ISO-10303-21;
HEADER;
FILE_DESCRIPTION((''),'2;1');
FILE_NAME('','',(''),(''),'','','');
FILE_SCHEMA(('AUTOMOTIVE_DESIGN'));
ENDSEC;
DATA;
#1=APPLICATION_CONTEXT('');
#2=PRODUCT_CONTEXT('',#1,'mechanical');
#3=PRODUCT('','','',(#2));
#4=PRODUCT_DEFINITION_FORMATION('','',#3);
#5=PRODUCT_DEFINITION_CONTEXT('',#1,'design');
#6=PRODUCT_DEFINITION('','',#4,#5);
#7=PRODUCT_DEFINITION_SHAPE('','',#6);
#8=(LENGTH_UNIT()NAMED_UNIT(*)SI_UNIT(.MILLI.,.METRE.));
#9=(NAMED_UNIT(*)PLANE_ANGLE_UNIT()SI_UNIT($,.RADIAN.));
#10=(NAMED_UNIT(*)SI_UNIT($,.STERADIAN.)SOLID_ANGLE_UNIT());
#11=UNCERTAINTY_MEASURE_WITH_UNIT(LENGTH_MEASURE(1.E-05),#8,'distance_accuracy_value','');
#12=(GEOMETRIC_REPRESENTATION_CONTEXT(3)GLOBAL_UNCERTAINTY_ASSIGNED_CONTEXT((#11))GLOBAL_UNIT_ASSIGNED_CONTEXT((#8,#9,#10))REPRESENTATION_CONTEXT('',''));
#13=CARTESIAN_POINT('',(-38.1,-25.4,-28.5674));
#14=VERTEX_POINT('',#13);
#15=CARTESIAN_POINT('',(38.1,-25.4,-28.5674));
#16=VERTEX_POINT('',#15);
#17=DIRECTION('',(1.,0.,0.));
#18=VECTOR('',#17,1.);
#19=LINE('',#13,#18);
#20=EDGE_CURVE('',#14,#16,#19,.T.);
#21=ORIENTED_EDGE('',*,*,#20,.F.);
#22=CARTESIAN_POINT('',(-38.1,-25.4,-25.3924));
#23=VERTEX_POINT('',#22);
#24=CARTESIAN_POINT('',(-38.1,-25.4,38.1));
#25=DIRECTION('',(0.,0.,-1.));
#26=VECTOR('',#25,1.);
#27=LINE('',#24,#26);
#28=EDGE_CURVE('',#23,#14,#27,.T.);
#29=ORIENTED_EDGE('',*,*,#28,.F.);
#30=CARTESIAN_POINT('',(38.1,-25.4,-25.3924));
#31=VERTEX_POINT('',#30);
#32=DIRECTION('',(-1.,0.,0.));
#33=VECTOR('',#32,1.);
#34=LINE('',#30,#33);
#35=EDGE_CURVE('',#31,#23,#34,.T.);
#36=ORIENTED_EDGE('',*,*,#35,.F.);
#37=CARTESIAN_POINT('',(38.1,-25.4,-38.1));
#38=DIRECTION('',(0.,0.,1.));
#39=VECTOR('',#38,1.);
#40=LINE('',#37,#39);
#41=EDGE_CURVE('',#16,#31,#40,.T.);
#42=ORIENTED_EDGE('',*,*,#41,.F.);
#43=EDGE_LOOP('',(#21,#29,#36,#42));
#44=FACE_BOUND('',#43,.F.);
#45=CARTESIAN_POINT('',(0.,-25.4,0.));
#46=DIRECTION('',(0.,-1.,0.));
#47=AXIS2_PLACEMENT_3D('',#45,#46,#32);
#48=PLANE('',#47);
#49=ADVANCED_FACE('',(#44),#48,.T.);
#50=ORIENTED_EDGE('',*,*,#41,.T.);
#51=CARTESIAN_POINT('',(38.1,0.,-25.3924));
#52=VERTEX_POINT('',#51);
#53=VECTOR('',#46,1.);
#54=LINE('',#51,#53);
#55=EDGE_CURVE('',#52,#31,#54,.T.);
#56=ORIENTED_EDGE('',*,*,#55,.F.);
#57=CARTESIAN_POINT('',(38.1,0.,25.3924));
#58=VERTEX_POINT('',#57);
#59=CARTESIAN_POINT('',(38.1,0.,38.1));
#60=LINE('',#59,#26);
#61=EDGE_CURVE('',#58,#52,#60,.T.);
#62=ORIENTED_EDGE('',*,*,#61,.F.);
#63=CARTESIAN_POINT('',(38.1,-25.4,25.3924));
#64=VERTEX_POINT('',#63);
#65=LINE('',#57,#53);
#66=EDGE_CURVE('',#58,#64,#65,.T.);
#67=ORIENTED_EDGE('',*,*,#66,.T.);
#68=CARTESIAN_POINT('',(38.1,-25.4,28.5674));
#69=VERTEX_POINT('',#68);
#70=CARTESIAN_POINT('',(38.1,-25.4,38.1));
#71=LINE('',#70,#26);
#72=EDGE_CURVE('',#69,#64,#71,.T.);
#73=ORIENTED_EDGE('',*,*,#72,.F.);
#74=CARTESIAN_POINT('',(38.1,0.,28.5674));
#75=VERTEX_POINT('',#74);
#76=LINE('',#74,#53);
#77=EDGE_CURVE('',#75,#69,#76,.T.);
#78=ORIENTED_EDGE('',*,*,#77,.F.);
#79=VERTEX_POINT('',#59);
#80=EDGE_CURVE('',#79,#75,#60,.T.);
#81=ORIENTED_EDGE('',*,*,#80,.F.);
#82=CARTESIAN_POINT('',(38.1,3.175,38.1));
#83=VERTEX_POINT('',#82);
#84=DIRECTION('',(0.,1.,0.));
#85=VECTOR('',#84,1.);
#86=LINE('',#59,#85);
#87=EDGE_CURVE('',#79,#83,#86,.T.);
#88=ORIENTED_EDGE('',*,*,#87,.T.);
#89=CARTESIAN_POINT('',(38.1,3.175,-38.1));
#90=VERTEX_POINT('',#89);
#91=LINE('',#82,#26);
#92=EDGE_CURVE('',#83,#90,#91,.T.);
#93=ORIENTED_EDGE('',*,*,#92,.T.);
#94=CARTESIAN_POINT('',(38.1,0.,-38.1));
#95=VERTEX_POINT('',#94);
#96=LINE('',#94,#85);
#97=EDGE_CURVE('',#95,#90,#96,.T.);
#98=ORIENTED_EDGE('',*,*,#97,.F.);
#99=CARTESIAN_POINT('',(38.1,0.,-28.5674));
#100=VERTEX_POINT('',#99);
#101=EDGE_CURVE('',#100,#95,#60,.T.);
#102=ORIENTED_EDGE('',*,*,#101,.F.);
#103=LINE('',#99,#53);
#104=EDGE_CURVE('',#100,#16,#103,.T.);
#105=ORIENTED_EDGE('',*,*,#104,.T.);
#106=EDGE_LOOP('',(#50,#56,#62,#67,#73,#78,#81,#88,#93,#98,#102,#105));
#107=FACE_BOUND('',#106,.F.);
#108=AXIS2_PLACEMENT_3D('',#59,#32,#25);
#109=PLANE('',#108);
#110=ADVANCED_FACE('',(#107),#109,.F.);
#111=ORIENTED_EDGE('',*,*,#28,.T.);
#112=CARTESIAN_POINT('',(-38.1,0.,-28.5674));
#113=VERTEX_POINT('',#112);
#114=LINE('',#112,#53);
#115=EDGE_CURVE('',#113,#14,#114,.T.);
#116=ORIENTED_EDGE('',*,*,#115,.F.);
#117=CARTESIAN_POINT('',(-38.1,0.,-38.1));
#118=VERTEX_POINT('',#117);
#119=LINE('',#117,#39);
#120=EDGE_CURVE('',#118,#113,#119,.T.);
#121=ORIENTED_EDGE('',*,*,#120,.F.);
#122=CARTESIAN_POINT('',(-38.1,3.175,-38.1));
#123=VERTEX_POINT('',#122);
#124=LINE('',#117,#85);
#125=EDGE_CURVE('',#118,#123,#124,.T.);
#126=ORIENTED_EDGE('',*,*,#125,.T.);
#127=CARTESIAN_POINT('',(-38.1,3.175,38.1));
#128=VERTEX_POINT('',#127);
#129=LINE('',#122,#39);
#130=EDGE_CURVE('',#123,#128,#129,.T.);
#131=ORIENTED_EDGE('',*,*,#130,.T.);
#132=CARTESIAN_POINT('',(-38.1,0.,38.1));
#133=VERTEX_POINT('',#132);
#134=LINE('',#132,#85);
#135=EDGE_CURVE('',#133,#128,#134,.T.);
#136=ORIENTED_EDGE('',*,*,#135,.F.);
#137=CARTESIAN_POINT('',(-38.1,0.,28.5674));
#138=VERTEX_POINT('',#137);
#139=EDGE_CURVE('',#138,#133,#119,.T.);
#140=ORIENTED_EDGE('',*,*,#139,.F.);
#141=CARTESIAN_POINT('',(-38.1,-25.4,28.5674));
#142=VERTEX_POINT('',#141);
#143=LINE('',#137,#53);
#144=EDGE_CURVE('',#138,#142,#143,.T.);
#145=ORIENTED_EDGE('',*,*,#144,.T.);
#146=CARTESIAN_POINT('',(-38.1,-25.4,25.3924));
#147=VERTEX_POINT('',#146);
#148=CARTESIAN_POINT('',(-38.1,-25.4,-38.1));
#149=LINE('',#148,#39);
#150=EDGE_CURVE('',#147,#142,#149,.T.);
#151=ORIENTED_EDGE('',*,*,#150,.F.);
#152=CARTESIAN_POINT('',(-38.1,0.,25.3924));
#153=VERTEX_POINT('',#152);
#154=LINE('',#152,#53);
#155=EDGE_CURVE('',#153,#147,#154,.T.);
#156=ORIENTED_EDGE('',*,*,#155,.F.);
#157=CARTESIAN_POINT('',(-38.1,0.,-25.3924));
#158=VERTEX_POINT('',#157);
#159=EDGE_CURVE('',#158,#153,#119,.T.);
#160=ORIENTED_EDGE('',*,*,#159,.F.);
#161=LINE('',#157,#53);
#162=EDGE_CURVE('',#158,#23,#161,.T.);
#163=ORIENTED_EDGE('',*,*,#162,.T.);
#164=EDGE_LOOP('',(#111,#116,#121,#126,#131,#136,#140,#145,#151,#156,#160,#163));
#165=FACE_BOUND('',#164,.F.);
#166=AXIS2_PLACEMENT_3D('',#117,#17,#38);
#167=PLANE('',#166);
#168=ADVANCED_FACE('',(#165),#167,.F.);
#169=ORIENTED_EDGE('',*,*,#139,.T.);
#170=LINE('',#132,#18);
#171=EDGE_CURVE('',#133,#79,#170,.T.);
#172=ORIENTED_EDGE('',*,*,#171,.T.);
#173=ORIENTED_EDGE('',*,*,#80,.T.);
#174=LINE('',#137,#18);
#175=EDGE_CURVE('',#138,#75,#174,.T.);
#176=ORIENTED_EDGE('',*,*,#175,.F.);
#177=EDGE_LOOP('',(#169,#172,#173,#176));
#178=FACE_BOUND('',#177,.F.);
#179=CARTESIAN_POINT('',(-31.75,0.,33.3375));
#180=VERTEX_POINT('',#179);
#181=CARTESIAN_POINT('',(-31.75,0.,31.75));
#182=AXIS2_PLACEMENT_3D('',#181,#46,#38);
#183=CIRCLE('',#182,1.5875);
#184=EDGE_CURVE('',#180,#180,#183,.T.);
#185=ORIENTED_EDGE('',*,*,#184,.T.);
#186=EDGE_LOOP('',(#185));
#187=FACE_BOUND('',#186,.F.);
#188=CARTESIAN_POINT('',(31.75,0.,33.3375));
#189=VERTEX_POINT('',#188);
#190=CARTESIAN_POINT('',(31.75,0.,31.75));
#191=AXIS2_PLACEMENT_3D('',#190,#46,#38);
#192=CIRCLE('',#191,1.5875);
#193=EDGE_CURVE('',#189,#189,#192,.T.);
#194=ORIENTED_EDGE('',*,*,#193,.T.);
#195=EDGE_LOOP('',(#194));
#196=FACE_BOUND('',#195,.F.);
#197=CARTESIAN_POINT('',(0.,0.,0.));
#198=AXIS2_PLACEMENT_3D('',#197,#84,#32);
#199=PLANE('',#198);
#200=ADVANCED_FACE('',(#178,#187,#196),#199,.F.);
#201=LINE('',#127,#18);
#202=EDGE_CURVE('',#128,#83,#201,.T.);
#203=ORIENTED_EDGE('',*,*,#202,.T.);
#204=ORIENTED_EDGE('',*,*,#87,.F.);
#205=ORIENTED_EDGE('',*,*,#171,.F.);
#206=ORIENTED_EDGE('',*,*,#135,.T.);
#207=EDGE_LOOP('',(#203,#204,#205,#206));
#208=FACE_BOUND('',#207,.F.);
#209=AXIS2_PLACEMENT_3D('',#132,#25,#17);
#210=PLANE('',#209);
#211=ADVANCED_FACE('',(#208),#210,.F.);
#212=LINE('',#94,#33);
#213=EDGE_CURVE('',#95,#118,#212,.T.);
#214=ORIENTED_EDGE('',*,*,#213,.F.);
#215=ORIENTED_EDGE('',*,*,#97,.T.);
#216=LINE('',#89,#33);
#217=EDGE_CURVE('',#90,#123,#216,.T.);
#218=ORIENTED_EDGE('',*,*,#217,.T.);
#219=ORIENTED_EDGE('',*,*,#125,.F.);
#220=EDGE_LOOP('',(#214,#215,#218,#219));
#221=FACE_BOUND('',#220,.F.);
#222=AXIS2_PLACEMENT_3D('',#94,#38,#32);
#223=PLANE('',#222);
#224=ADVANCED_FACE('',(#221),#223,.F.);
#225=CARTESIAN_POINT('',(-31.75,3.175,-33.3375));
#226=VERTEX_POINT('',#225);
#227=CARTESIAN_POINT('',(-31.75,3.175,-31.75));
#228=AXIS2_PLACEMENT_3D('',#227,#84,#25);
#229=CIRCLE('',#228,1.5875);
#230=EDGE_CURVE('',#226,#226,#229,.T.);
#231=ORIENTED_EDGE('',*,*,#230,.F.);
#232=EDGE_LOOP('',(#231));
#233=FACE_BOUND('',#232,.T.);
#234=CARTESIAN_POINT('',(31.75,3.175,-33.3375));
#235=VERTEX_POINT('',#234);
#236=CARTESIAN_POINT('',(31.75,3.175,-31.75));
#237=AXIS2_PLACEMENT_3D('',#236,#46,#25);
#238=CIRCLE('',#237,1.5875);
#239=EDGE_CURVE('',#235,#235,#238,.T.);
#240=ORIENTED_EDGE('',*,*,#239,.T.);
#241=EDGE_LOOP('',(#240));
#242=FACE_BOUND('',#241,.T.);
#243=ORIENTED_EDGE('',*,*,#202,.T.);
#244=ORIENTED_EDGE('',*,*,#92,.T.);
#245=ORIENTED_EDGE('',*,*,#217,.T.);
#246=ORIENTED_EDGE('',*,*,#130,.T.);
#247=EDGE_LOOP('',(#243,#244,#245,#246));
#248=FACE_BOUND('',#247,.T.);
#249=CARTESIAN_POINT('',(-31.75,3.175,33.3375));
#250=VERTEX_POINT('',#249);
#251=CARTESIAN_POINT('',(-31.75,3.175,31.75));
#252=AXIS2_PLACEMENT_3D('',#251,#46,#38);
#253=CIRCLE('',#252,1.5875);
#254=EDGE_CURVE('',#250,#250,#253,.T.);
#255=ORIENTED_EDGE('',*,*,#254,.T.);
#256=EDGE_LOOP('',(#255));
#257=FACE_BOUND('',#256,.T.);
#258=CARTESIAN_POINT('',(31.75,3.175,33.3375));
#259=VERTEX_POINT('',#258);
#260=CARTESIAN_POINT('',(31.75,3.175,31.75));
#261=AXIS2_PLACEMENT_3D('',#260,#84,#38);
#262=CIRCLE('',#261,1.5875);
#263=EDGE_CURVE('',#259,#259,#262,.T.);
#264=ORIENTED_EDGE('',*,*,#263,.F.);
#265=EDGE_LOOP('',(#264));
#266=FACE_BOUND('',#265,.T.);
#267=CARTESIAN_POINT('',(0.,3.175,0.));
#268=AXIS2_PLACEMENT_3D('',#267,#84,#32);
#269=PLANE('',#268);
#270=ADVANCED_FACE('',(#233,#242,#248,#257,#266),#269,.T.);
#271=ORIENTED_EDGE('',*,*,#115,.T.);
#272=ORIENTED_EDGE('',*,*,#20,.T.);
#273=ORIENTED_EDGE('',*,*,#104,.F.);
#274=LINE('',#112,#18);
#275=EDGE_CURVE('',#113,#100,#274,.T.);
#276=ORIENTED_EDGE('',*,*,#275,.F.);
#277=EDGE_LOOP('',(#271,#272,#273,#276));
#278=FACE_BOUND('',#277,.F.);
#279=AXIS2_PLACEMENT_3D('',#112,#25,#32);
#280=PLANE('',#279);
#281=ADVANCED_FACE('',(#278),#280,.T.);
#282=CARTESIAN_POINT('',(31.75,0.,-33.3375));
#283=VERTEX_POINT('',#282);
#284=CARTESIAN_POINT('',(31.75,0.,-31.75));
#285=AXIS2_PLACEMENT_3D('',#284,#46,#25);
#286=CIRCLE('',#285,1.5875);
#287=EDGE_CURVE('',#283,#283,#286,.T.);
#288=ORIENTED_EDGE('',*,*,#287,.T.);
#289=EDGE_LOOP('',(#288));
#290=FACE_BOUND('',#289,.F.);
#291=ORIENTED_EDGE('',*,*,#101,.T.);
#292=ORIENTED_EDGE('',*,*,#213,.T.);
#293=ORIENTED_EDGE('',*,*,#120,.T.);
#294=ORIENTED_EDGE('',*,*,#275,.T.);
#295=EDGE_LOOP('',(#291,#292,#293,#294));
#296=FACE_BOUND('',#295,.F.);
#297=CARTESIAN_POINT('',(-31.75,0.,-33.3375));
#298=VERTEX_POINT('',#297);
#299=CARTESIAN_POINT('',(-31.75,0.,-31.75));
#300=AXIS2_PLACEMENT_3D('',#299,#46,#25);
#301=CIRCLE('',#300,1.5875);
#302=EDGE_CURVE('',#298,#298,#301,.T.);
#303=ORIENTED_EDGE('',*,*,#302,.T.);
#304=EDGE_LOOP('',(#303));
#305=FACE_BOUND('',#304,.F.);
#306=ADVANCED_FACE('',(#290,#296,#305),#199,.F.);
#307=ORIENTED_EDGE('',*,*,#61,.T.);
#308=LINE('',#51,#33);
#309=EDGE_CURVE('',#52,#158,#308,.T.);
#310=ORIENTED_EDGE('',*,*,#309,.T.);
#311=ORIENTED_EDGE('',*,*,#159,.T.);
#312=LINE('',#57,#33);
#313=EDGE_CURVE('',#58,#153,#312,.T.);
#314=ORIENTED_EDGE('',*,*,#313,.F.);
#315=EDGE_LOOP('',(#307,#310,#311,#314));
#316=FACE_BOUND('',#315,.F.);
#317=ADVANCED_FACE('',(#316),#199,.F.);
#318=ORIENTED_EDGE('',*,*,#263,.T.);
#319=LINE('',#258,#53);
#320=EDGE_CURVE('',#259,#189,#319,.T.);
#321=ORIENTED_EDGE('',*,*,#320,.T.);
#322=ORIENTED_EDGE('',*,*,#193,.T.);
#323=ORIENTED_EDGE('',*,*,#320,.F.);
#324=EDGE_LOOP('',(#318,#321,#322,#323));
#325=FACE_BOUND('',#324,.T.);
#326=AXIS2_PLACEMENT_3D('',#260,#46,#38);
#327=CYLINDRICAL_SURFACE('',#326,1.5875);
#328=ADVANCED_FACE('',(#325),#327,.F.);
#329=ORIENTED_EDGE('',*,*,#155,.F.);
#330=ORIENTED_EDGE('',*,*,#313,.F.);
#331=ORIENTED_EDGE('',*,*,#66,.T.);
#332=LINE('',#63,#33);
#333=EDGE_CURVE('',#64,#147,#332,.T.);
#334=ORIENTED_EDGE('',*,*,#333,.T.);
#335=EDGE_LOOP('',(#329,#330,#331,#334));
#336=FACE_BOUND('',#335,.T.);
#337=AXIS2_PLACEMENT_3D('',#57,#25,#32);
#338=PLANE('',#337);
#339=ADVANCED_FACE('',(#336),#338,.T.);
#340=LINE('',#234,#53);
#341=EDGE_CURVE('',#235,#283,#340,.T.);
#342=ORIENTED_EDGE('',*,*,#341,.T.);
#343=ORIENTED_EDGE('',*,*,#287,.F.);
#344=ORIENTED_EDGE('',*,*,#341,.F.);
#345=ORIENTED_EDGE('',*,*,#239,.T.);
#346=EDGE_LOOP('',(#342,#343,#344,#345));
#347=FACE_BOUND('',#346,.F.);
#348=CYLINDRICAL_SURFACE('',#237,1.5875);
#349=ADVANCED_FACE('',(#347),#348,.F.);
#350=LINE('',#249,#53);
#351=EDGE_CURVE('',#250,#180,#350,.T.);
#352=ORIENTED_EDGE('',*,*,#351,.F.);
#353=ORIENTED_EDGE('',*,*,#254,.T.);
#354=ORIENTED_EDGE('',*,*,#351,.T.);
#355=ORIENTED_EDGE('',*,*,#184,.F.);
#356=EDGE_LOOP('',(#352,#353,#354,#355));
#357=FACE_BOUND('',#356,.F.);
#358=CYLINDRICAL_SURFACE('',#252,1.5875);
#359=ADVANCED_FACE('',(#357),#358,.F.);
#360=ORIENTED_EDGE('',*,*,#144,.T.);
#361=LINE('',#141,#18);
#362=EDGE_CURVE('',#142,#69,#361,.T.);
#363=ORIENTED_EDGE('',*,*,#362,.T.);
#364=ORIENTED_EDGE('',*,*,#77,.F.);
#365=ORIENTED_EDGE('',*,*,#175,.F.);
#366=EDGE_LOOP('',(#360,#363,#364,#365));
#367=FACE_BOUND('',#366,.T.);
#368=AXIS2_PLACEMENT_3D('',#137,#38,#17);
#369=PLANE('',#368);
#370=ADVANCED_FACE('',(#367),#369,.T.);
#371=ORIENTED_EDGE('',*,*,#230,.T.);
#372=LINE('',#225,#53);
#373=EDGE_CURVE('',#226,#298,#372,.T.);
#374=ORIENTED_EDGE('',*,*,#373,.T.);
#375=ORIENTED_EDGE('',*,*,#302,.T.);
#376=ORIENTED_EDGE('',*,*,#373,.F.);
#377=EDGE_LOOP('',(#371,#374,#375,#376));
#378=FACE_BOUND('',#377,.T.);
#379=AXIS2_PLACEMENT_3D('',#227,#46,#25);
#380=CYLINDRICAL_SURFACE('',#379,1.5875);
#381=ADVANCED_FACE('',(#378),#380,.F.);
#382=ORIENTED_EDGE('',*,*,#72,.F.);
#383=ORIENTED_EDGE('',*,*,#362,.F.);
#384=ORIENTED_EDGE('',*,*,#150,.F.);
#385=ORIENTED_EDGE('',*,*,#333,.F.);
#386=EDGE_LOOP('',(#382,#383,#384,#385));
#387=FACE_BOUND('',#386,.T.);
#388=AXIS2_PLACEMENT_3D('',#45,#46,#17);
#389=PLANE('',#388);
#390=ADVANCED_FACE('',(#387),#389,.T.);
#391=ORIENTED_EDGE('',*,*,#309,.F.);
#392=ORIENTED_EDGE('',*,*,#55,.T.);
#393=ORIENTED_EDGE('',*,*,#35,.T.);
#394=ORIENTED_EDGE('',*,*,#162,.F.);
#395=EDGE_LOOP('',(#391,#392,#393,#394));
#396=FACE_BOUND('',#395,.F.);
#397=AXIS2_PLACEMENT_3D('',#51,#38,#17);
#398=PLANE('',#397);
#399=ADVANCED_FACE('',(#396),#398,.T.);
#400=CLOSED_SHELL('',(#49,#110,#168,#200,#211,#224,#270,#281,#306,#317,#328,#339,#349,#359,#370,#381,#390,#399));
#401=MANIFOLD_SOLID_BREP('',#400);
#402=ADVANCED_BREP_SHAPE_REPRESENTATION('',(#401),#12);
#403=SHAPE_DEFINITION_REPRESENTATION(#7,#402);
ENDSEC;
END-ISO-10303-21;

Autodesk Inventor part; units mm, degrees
ref_plane "YZ Plane" through (0, 0, 0) normal (1, 0, 0) x (0, 1, 0)
ref_plane "XZ Plane" through (0, 0, 0) normal (0, 1, 0) x (-1, 0, 0)
sketch "Sketch1" plane through (0, 0, 0) normal (0, 1, 0) x (-1, 0, 0)
  line L0 (0, 0) -> (4.388, 0) construction
  line L1 (4.1982, 0) -> (0, 0) construction
  line L2 (0, 0) -> (0, -4.5146) construction
  line L3 (38.1, 38.1) -> (-38.1, 38.1)
  line L4 (-38.1, 38.1) -> (-38.1, -38.1)
  line L5 (-38.1, -38.1) -> (38.1, -38.1)
  line L6 (38.1, -38.1) -> (38.1, 38.1)
  dimension "d0" = 76.2
  dimension "d1" = 76.2
extrude "Extrusion1" add sketch "Sketch1" along normal blind 3.175
ref_plane "Work Plane1" through (0, 0, 25.4) normal (0, 0, 1) x (1, 0, 0)
sketch "Sketch2" plane through (0, 0, 0) normal (0, -1, 0) x (1, 0, 0)
  line L0 (38.1, 38.1) -> (38.1, -38.1) projected
  line L1 (-38.1, -38.1) -> (-38.1, 38.1) projected
  line L2 (38.1, 25.3924) -> (-38.1, 25.3924)
  line L3 (-38.1, 25.3924) -> (-38.1, 28.5674)
  line L4 (-38.1, 28.5674) -> (38.1, 28.5674)
  line L5 (38.1, 28.5674) -> (38.1, 25.3924)
  point P0 (0, 0)
  dimension "d5" = 3.175
extrude "Extrusion2" add sketch "Sketch2" along normal blind 25.4
mirror "Mirror1" about plane through (0, 0, 0) normal (0, 0, 1) of "Extrusion2"
sketch "Sketch3" plane through (0, 3.175, 0) normal (0, 1, 0) x (1, 0, 0)
  line L0 (-38.1, 38.1) -> (-38.1, -38.1) projected
  line L1 (-38.1, -38.1) -> (38.1, -38.1) projected
  point P0 (0, 0)
  point P1 (-31.75, -31.75)
  dimension "d8" = 6.35
  dimension "d9" = 6.35
hole "Hole1" at (-31.75, 3.175, 31.75) direction (0, -1, 0) diameter 3.175 end through all
mirror "Mirror2" about plane through (0, 0, 0) normal (1, 0, 0) of "Hole1"
mirror "Mirror3" about plane through (0, 0, 0) normal (0, 0, 1) of "Hole1", "Mirror2"
ref_plane "Work Plane2" through (0, 0, 0) normal (0, 0, 1) x (1, 0, 0)
properties part number "Right Angle Frame Mount"
